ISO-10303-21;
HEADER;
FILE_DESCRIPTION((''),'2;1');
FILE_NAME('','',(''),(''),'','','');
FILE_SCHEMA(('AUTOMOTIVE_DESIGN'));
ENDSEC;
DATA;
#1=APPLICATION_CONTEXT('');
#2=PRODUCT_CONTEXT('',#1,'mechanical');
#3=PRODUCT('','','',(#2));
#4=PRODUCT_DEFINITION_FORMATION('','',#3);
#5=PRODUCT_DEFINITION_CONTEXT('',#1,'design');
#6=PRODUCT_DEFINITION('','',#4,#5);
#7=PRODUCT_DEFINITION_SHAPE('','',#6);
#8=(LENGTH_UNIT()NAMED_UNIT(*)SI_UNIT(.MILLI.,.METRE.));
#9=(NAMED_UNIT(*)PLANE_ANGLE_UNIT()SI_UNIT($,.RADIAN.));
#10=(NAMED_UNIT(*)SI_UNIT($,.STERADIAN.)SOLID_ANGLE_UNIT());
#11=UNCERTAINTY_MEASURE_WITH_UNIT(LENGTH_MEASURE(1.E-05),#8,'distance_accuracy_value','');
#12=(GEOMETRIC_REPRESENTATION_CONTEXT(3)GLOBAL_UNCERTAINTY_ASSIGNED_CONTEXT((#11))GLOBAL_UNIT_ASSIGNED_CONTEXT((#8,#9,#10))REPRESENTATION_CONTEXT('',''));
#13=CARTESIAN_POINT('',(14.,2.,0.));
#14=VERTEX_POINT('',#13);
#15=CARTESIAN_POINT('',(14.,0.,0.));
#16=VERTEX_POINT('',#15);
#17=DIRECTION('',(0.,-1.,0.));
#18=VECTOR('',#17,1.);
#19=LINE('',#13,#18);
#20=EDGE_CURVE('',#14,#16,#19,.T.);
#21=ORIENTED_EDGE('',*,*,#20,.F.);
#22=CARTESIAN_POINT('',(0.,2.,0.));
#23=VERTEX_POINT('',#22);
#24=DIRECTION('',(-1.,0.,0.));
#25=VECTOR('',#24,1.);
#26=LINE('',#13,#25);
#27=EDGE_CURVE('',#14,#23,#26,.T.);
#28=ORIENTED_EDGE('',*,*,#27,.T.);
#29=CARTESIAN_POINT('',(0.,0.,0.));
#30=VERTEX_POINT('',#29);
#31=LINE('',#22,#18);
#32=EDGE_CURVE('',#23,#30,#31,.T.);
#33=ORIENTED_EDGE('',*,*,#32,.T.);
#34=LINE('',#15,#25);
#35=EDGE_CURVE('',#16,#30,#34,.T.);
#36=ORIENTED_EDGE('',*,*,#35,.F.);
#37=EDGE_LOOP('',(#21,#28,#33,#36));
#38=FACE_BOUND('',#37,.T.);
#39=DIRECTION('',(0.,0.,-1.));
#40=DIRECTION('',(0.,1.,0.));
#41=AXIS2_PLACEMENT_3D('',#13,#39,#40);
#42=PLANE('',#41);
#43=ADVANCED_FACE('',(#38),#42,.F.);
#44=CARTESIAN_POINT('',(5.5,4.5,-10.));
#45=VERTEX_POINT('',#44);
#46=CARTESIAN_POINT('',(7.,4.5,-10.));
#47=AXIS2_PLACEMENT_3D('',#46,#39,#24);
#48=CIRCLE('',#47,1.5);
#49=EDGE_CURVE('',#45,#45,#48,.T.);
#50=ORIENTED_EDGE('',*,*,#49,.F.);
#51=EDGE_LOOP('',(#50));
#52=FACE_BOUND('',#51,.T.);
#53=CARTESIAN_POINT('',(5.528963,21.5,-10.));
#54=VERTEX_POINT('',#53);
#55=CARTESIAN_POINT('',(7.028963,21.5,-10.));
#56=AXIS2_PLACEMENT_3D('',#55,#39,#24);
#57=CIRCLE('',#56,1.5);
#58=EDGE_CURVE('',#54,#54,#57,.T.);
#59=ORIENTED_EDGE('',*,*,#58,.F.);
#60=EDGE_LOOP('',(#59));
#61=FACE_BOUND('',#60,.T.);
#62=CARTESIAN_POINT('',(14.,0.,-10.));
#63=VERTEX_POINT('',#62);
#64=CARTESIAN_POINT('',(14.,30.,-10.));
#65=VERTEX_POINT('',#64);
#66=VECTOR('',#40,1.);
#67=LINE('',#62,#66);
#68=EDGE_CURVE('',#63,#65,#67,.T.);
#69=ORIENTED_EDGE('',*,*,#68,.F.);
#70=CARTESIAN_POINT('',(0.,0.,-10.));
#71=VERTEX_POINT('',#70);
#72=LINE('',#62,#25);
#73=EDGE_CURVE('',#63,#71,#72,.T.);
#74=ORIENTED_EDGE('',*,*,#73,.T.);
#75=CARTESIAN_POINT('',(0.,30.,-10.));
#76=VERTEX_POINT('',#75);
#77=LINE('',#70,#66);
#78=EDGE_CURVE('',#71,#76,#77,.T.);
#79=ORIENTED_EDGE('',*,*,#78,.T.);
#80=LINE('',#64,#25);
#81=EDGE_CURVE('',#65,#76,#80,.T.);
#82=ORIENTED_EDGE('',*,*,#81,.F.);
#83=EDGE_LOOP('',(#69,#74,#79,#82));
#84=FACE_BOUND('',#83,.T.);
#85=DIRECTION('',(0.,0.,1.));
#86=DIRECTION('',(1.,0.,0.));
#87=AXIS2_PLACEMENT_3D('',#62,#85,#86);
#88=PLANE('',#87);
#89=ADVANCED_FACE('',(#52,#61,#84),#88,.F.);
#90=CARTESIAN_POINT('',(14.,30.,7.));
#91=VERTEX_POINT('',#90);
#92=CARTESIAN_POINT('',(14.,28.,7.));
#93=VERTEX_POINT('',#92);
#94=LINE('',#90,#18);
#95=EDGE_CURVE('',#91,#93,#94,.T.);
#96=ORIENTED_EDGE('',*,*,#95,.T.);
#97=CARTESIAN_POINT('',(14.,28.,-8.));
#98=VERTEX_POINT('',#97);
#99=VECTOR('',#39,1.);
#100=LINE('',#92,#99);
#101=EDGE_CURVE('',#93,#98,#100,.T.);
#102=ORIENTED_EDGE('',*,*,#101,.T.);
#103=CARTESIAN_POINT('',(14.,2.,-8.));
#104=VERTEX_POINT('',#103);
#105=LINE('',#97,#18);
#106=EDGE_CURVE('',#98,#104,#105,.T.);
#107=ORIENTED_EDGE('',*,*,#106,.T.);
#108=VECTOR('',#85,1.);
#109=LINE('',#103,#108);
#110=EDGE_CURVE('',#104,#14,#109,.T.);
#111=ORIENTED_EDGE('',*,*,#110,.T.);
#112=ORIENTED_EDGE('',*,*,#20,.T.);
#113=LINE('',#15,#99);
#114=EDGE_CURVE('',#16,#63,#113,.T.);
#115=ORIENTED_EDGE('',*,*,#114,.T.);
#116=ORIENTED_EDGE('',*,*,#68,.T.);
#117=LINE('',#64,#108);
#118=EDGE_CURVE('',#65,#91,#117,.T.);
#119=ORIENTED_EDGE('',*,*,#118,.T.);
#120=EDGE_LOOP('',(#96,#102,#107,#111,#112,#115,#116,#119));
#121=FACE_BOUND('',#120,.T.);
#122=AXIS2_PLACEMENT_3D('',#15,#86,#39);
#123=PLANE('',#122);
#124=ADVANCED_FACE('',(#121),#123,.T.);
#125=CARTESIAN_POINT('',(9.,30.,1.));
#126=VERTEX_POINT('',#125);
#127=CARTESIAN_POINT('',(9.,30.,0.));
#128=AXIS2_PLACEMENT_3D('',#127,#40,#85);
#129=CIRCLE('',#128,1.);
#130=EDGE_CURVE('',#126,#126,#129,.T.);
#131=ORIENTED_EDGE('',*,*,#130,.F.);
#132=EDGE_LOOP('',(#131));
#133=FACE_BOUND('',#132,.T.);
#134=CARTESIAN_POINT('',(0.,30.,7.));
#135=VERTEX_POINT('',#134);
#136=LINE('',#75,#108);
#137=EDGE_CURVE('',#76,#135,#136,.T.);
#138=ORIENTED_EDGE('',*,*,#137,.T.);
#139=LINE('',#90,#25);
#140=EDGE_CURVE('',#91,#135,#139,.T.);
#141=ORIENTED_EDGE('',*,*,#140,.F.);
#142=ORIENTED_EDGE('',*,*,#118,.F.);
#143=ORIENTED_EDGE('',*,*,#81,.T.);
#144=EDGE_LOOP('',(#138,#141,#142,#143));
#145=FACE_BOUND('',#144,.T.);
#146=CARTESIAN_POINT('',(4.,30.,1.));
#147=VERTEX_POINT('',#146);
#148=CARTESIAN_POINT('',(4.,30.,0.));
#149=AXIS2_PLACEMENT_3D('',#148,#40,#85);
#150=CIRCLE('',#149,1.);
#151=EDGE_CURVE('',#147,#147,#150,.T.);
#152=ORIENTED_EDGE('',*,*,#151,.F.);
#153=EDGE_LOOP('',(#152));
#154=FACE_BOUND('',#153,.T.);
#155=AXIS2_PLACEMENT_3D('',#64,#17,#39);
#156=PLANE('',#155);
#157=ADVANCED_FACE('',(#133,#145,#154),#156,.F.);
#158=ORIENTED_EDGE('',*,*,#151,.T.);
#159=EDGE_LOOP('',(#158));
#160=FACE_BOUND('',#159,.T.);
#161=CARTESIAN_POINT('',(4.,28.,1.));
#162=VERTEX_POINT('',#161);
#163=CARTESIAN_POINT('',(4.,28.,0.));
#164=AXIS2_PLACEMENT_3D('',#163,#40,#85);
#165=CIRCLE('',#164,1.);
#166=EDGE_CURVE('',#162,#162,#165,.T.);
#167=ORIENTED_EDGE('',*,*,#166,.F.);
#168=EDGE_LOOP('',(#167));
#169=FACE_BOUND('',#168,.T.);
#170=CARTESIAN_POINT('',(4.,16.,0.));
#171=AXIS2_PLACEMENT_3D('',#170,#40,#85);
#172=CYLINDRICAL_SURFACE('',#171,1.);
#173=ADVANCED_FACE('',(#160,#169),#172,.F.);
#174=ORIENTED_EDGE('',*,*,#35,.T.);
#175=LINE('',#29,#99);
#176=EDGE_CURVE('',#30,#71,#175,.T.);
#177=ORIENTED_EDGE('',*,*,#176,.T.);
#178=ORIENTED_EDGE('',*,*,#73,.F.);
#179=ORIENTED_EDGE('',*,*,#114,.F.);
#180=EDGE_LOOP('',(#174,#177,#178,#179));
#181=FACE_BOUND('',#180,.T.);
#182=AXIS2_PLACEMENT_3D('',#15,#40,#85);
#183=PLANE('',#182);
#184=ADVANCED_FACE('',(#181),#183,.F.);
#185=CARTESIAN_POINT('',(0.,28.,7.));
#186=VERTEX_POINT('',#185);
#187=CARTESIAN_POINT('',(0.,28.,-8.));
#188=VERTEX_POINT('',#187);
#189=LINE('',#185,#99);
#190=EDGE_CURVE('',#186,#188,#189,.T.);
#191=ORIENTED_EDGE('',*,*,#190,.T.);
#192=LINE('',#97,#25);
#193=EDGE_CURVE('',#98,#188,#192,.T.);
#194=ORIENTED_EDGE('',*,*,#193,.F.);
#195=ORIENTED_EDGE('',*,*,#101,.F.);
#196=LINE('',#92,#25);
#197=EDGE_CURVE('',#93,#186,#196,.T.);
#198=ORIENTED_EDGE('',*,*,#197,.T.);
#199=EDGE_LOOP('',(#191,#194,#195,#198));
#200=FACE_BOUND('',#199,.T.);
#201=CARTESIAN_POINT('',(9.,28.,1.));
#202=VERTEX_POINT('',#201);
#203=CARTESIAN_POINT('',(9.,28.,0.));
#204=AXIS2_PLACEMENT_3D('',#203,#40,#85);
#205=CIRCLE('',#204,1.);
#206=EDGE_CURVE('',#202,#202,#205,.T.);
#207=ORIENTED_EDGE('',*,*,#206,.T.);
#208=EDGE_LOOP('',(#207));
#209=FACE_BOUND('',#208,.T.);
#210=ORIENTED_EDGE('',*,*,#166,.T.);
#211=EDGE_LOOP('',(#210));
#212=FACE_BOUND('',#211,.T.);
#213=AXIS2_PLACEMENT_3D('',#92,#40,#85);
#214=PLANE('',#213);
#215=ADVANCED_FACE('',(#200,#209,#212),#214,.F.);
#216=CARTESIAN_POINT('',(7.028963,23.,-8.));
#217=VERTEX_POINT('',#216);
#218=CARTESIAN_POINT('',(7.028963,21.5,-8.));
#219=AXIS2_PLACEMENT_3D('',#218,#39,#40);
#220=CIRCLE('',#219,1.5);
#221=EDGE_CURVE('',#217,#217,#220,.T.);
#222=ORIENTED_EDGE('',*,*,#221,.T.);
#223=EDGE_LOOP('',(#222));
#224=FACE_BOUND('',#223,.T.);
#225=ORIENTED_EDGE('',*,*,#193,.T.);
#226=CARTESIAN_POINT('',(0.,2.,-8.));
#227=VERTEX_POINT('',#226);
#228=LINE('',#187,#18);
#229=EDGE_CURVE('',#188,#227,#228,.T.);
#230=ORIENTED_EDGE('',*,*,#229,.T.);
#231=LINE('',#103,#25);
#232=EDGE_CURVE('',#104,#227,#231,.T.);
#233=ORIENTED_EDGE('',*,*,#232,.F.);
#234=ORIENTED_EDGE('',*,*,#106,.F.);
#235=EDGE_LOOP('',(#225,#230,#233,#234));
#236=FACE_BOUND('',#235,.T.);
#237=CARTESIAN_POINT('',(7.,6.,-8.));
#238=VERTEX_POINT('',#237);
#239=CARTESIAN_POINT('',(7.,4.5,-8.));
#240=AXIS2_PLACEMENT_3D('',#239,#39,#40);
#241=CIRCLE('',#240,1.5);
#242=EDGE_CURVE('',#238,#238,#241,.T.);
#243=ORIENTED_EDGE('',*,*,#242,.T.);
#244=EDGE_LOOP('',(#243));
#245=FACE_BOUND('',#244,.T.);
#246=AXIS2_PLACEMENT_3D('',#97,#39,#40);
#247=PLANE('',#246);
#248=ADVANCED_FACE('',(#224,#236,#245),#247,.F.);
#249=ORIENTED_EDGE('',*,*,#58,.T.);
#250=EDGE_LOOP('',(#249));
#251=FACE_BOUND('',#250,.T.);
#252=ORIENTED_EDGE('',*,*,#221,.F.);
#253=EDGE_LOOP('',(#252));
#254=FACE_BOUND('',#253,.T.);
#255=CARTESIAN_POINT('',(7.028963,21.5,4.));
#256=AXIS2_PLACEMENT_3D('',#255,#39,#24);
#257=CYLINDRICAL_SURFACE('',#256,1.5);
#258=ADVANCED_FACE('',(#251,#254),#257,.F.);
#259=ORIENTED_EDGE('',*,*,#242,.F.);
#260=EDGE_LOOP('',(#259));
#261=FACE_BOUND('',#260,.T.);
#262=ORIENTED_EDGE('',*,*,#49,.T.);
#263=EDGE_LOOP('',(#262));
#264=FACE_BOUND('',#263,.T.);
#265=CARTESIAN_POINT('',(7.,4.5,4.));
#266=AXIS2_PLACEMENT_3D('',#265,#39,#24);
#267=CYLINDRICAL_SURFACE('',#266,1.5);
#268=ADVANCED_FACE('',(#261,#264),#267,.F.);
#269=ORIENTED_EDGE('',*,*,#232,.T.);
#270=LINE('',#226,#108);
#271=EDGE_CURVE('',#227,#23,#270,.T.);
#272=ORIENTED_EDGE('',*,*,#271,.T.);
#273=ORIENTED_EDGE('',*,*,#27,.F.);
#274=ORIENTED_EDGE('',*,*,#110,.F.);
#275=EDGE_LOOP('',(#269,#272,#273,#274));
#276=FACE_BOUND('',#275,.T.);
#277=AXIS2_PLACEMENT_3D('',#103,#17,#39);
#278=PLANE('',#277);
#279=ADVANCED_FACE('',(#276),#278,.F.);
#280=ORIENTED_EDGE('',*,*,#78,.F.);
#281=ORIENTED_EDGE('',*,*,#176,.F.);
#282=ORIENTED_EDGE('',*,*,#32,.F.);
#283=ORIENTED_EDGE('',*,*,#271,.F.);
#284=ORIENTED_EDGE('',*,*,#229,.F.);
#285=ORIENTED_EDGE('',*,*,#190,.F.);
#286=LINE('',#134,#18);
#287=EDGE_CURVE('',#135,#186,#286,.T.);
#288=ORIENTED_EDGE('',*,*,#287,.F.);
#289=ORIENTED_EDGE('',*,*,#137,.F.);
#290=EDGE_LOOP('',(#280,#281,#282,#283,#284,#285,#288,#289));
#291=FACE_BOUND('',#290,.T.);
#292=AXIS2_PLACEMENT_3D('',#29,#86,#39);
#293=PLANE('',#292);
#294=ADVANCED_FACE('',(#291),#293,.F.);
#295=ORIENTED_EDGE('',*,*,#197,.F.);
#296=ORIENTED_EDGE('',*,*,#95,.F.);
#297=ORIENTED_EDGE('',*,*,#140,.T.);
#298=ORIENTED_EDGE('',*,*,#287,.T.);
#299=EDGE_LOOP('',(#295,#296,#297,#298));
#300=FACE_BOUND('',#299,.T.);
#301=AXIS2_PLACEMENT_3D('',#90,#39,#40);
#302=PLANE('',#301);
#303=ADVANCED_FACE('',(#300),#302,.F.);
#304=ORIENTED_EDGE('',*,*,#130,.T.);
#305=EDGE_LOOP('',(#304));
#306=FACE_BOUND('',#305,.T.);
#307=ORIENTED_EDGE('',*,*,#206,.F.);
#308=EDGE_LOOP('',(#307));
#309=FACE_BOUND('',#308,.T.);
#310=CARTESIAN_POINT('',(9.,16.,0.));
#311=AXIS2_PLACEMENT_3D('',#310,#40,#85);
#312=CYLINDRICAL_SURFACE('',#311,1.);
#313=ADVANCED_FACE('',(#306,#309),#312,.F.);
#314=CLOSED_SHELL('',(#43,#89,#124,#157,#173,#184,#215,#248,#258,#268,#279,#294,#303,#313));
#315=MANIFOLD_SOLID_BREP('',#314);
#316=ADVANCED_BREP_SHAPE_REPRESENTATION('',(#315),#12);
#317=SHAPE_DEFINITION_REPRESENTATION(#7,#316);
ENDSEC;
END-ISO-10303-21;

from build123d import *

# Parameters (mm, degrees)
EXTRUDE_1_DEPTH     = 14
SKETCH_5_R          = 1.5
CUT_EXTRUDE_1_DEPTH = 14
SKETCH_6_R          = 1
CUT_EXTRUDE_2_DEPTH = 14


with BuildPart() as part:
    # 草图1 → 凸台-拉伸1 (new body)
    with BuildSketch(Plane(origin=(0, 0, 0), x_dir=(0, 0, -1), z_dir=(1, 0, 0))):
        Polygon((0, 0), (10, 0), (10, 30), (-7, 30), (-7, 28), (8, 28), (8, 2), (0, 2), align=None)
    extrude(amount=EXTRUDE_1_DEPTH)

    # 草图5 → 切除-拉伸1 (cut)
    with BuildSketch(Plane(origin=(0, 0, -10), x_dir=(-1, 0, 0), z_dir=(0, 0, -1))):
        with Locations((-7.028963354, 21.5)):
            Circle(SKETCH_5_R)
        with Locations((-7, 4.5)):
            Circle(SKETCH_5_R)
    extrude(amount=-CUT_EXTRUDE_1_DEPTH, mode=Mode.SUBTRACT)

    # 草图6 → 切除-拉伸2 (cut)
    with BuildSketch(Plane(origin=(0, 30, 0), x_dir=(1, 0, 0), z_dir=(0, 1, 0))):
        with Locations(Location((4, 0, 0), (0, 0, 270))):
            Circle(SKETCH_6_R)
        with Locations(Location((9, 0, 0), (0, 0, 270))):
            Circle(SKETCH_6_R)
    extrude(amount=-CUT_EXTRUDE_2_DEPTH, mode=Mode.SUBTRACT)


solid = part.part
